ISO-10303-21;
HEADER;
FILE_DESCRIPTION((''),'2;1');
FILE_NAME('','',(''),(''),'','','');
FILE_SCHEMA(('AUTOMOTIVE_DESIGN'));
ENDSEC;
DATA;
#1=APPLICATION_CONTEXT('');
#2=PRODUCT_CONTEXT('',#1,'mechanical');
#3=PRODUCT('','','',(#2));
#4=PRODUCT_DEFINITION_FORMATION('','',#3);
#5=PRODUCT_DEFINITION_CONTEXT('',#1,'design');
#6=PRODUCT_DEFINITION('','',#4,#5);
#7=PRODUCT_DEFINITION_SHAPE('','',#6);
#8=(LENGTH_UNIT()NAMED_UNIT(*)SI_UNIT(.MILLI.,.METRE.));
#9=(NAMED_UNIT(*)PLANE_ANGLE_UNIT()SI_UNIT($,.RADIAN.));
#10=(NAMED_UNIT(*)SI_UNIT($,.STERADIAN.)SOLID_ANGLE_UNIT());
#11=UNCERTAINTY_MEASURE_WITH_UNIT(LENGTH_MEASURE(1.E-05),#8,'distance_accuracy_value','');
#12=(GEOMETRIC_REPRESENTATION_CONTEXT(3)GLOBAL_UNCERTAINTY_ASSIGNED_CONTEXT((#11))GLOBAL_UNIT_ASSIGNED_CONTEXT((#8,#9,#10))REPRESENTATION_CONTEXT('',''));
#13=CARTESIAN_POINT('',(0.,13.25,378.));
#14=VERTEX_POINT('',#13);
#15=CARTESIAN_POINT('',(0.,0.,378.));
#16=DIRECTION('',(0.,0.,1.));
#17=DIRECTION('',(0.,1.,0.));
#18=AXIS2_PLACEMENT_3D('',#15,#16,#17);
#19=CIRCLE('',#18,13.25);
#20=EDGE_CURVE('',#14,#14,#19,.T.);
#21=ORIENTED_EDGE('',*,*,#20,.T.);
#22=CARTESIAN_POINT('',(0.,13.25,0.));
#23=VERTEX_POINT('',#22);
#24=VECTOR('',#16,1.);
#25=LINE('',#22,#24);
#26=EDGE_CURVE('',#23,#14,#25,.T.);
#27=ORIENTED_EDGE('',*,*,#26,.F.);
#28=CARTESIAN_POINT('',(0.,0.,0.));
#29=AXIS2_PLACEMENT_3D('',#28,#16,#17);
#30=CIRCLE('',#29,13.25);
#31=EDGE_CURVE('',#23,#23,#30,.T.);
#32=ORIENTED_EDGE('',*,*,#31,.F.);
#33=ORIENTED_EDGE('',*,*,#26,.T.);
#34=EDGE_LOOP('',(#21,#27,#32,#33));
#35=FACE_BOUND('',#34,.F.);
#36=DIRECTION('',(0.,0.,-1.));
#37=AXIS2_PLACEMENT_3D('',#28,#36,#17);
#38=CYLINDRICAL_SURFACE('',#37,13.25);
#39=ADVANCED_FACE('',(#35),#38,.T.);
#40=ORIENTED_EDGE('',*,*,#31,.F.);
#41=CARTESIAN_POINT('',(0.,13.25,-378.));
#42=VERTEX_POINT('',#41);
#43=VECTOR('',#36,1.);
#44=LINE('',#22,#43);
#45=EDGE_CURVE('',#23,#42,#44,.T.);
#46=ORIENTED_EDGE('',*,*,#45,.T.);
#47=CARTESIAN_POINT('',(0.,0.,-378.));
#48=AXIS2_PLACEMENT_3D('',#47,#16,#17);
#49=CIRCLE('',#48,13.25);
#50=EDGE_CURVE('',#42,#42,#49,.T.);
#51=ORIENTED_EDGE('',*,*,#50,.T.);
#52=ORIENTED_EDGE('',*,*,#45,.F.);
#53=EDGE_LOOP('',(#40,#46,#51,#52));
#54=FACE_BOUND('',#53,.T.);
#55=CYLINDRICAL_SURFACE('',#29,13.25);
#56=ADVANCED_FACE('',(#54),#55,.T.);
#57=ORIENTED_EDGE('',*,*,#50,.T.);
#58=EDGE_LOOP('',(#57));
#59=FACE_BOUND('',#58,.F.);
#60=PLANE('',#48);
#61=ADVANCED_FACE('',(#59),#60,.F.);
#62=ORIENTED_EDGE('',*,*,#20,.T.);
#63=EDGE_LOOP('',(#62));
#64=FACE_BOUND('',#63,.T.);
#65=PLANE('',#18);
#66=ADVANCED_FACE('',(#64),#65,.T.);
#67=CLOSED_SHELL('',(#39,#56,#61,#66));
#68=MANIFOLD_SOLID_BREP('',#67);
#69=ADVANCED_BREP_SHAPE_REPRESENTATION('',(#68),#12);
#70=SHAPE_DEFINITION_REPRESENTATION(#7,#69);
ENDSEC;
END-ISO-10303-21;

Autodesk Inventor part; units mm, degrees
ref_plane "YZ Plane" through (0, 0, 0) normal (1, 0, 0) x (0, 1, 0)
ref_plane "XZ Plane" through (0, 0, 0) normal (0, 1, 0) x (-1, 0, 0)
ref_plane "XY Plane" through (0, 0, 0) normal (0, 0, 1) x (1, 0, 0)
sketch "草圖1" plane through (0, 0, 0) normal (0, 0, 1) x (0, 1, 0)
  circle A0 centre (0, 0) radius 13.25
  dimension "d0" = 26.5
extrude "擠出1" add sketch "草圖1" along normal mid plane 756
equation "\"d1\" = Width"
equation "\"Width\" = T1A_Joint_Width"
equation "\"T1A_Joint_Width\" = 756"
equation "\"T1A_R1\" = 585.5331"
equation "\"T1A_R3\" = 252.3048"
equation "\"T1A_R4\" = 320.6953"
equation "\"T1A_R5\" = 419.3047"
equation "\"T1A_R7\" = -221.7475"
equation "\"T1A_R8\" = 369.2781"
equation "\"T1A_R1_Width\" = 756"
equation "\"T1A_R2_Width\" = 756"
equation "\"T1A_R3_Width\" = 344"
equation "\"T1A_R4_Width\" = 756"
properties part number "Type 1A 連接軸 1:9" material "密度7850的鋼"
